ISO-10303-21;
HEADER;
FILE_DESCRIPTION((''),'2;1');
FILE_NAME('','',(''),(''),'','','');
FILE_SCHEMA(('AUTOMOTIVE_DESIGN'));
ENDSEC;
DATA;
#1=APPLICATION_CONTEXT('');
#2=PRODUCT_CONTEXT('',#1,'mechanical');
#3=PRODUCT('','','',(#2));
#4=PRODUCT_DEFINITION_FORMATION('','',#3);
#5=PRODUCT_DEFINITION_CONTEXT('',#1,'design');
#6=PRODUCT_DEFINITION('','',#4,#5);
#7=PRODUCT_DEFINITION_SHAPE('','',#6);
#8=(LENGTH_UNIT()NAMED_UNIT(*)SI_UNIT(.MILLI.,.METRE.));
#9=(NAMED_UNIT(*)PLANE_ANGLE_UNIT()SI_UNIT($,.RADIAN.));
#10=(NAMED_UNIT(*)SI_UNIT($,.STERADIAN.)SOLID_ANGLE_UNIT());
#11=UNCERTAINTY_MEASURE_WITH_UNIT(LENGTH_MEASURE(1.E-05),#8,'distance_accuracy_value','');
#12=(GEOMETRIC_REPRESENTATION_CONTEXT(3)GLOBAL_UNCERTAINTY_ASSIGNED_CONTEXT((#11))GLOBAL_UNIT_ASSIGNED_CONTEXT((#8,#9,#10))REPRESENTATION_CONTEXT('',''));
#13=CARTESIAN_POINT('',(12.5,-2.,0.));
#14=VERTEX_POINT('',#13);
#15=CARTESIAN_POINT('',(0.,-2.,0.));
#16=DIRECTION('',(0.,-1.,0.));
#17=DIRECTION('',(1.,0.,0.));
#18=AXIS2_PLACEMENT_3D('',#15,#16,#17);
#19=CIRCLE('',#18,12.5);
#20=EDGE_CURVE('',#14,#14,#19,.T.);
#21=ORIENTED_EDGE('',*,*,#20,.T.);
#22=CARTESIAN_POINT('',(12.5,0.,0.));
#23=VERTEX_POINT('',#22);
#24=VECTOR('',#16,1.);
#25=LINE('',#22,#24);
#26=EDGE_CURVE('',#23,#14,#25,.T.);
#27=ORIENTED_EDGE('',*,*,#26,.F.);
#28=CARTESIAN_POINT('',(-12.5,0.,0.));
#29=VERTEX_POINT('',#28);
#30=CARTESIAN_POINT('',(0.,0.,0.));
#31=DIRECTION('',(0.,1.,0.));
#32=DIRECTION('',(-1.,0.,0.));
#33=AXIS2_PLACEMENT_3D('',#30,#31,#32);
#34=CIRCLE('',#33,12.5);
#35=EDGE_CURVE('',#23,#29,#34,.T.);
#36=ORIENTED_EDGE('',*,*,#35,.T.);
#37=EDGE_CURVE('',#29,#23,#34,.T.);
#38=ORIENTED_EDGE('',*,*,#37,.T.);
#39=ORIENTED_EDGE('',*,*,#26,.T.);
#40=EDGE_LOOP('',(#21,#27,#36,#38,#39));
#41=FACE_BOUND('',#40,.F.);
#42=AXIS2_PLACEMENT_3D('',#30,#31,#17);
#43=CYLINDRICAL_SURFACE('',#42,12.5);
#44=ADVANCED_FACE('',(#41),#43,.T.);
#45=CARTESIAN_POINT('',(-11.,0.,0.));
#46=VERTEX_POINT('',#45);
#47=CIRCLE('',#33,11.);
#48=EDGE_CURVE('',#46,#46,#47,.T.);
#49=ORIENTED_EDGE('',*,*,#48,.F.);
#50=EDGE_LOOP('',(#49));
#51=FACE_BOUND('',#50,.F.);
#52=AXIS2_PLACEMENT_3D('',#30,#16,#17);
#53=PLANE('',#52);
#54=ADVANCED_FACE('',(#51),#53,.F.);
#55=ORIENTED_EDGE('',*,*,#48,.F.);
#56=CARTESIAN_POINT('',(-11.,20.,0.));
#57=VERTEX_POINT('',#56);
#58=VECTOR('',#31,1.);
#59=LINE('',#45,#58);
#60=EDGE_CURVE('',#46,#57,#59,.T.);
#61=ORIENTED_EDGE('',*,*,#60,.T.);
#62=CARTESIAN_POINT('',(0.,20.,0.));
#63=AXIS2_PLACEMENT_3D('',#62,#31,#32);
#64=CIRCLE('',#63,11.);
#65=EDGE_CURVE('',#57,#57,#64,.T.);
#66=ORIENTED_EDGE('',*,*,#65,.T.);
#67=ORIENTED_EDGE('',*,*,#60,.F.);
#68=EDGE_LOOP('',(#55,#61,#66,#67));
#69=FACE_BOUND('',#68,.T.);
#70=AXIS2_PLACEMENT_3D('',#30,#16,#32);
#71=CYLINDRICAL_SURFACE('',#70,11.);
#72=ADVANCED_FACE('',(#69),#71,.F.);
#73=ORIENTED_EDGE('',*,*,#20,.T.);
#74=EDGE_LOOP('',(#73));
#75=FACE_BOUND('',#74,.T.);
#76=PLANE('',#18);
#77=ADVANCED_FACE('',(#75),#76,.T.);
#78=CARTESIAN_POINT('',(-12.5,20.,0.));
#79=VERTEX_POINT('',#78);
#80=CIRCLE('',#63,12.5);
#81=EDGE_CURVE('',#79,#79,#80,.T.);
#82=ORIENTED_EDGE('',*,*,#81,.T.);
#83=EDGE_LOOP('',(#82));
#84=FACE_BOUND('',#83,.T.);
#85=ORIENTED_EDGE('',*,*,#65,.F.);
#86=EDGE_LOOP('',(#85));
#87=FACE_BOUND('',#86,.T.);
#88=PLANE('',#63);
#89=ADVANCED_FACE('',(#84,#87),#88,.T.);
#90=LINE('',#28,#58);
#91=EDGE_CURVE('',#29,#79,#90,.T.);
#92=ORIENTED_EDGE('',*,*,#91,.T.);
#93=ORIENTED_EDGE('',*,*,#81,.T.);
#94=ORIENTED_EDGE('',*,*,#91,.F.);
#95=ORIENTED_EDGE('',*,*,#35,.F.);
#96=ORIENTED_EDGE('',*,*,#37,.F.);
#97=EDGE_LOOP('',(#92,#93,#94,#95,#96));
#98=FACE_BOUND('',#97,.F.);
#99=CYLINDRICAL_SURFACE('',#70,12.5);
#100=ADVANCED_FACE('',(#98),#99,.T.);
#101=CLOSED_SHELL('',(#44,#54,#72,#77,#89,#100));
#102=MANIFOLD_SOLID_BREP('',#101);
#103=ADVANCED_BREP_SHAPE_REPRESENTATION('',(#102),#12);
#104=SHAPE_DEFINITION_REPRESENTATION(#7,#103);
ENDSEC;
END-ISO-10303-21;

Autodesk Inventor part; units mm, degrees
ref_plane "YZ Plane" through (0, 0, 0) normal (1, 0, 0) x (0, 1, 0)
ref_plane "XZ Plane" through (0, 0, 0) normal (0, 1, 0) x (-1, 0, 0)
ref_plane "XY Plane" through (0, 0, 0) normal (0, 0, 1) x (1, 0, 0)
sketch "Esquisse1" plane through (0, 0, 0) normal (0, 1, 0) x (-1, 0, 0)
  circle A0 centre (0, 0) radius 12.5
  circle A1 centre (0, 0) radius 11
  dimension "d0" = 25
  dimension "d1" = 22
extrude "Extrusion1" add sketch "Esquisse1" along normal blind 20
sketch "Esquisse2" plane through (0, 0, 0) normal (0, -1, 0) x (1, 0, 0)
  circle A0 centre (0, 0) radius 12.5
extrude "Extrusion2" add sketch "Esquisse2" along normal blind 2
properties part number "Support embout"
